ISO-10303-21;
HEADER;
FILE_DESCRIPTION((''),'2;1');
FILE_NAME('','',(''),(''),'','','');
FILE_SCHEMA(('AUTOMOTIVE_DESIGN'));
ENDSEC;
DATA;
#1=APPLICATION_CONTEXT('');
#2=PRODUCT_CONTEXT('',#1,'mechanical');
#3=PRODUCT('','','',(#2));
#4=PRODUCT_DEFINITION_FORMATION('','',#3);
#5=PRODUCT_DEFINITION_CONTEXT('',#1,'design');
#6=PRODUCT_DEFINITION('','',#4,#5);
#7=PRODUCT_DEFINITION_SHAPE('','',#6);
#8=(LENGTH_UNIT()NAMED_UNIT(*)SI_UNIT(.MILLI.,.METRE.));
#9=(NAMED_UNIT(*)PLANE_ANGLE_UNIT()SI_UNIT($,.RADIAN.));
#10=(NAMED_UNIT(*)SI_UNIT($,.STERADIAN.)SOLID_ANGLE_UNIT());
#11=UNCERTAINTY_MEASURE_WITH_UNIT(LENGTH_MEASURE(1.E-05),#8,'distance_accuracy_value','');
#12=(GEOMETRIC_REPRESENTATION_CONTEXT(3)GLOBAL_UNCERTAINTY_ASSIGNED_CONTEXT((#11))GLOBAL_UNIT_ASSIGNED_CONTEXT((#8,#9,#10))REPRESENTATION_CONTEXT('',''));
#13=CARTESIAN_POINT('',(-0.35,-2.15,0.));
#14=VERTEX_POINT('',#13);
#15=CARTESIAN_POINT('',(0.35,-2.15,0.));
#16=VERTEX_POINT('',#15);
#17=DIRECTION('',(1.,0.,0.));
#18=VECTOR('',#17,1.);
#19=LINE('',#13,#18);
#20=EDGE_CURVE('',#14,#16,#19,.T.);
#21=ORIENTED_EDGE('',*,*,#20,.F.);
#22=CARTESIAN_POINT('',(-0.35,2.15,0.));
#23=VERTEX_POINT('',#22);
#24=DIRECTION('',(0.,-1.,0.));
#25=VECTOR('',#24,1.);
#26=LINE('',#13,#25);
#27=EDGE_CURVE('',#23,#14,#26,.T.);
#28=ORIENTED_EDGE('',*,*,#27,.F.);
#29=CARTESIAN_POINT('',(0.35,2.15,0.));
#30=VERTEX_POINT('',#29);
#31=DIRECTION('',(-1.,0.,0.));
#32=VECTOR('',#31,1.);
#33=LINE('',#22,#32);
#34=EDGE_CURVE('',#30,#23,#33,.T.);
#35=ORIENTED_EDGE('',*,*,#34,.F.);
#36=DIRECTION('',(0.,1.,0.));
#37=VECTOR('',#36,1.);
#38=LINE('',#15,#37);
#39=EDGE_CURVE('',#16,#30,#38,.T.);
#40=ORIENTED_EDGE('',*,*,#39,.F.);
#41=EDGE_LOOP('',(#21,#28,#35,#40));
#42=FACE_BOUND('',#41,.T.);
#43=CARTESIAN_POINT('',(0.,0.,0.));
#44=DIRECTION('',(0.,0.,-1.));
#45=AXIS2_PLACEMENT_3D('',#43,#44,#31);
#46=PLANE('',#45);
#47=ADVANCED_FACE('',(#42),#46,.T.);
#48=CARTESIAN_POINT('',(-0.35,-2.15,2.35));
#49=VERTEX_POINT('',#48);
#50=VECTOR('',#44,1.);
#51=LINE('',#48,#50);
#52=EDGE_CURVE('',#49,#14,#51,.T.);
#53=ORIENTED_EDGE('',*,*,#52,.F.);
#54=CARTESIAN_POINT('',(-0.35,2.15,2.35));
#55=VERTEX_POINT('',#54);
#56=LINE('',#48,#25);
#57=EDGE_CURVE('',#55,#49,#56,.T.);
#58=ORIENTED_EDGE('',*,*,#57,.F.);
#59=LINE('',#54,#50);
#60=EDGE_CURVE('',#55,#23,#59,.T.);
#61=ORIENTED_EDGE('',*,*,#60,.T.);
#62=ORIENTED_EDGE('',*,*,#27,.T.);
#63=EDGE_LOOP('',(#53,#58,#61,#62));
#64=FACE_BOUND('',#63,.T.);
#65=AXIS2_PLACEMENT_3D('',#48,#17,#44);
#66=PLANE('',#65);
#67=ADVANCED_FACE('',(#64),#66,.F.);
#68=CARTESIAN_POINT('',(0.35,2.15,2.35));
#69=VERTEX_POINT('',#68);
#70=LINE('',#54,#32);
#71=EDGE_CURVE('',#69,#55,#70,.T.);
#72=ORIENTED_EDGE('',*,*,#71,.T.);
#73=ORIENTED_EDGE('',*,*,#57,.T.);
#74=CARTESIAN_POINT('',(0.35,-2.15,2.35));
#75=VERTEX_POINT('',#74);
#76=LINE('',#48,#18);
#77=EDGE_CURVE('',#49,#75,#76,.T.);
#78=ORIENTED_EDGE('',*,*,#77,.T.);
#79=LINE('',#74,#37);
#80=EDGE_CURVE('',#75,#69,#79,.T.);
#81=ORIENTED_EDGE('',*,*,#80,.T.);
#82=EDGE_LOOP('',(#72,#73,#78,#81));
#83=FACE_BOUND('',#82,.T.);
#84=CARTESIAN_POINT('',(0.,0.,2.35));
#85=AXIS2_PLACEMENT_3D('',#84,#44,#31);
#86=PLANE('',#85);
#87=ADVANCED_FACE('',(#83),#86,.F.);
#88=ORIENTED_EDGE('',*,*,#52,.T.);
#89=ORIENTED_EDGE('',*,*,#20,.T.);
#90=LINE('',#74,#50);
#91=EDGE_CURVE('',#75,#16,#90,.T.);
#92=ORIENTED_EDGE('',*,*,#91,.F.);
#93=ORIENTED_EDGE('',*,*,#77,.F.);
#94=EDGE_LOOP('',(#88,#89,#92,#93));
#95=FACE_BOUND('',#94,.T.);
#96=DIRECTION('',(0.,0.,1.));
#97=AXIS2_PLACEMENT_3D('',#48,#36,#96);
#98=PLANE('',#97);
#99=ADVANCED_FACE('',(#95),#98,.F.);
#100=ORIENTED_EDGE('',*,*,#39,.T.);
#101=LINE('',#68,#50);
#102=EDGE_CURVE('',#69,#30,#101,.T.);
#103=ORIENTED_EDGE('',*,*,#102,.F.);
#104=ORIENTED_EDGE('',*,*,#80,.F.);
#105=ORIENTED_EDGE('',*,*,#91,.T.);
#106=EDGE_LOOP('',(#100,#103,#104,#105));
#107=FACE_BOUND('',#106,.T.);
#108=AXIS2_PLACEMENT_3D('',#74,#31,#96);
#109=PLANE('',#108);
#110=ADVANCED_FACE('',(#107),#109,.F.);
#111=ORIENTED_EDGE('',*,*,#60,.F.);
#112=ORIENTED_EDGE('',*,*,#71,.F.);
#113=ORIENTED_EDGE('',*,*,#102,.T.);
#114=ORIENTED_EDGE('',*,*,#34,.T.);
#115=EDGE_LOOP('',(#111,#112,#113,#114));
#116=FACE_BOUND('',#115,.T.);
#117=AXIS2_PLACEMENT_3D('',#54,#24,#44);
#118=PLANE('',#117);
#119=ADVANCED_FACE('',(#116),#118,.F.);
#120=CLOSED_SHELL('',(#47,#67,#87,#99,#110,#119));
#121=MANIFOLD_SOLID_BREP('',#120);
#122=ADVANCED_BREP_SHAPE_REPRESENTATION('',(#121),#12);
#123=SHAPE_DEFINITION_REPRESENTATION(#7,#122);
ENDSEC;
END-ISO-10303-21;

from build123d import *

# Parameters (mm, degrees)
SKETCH1_W           = 0.7
SKETCH1_H           = 4.3
BOSS_EXTRUDE1_DEPTH = 2.35


with BuildPart() as part:
    # Sketch1 → Boss-Extrude1 (new body)
    with BuildSketch(Plane.XY):
        Rectangle(SKETCH1_W, SKETCH1_H)
    extrude(amount=BOSS_EXTRUDE1_DEPTH)


solid = part.part
